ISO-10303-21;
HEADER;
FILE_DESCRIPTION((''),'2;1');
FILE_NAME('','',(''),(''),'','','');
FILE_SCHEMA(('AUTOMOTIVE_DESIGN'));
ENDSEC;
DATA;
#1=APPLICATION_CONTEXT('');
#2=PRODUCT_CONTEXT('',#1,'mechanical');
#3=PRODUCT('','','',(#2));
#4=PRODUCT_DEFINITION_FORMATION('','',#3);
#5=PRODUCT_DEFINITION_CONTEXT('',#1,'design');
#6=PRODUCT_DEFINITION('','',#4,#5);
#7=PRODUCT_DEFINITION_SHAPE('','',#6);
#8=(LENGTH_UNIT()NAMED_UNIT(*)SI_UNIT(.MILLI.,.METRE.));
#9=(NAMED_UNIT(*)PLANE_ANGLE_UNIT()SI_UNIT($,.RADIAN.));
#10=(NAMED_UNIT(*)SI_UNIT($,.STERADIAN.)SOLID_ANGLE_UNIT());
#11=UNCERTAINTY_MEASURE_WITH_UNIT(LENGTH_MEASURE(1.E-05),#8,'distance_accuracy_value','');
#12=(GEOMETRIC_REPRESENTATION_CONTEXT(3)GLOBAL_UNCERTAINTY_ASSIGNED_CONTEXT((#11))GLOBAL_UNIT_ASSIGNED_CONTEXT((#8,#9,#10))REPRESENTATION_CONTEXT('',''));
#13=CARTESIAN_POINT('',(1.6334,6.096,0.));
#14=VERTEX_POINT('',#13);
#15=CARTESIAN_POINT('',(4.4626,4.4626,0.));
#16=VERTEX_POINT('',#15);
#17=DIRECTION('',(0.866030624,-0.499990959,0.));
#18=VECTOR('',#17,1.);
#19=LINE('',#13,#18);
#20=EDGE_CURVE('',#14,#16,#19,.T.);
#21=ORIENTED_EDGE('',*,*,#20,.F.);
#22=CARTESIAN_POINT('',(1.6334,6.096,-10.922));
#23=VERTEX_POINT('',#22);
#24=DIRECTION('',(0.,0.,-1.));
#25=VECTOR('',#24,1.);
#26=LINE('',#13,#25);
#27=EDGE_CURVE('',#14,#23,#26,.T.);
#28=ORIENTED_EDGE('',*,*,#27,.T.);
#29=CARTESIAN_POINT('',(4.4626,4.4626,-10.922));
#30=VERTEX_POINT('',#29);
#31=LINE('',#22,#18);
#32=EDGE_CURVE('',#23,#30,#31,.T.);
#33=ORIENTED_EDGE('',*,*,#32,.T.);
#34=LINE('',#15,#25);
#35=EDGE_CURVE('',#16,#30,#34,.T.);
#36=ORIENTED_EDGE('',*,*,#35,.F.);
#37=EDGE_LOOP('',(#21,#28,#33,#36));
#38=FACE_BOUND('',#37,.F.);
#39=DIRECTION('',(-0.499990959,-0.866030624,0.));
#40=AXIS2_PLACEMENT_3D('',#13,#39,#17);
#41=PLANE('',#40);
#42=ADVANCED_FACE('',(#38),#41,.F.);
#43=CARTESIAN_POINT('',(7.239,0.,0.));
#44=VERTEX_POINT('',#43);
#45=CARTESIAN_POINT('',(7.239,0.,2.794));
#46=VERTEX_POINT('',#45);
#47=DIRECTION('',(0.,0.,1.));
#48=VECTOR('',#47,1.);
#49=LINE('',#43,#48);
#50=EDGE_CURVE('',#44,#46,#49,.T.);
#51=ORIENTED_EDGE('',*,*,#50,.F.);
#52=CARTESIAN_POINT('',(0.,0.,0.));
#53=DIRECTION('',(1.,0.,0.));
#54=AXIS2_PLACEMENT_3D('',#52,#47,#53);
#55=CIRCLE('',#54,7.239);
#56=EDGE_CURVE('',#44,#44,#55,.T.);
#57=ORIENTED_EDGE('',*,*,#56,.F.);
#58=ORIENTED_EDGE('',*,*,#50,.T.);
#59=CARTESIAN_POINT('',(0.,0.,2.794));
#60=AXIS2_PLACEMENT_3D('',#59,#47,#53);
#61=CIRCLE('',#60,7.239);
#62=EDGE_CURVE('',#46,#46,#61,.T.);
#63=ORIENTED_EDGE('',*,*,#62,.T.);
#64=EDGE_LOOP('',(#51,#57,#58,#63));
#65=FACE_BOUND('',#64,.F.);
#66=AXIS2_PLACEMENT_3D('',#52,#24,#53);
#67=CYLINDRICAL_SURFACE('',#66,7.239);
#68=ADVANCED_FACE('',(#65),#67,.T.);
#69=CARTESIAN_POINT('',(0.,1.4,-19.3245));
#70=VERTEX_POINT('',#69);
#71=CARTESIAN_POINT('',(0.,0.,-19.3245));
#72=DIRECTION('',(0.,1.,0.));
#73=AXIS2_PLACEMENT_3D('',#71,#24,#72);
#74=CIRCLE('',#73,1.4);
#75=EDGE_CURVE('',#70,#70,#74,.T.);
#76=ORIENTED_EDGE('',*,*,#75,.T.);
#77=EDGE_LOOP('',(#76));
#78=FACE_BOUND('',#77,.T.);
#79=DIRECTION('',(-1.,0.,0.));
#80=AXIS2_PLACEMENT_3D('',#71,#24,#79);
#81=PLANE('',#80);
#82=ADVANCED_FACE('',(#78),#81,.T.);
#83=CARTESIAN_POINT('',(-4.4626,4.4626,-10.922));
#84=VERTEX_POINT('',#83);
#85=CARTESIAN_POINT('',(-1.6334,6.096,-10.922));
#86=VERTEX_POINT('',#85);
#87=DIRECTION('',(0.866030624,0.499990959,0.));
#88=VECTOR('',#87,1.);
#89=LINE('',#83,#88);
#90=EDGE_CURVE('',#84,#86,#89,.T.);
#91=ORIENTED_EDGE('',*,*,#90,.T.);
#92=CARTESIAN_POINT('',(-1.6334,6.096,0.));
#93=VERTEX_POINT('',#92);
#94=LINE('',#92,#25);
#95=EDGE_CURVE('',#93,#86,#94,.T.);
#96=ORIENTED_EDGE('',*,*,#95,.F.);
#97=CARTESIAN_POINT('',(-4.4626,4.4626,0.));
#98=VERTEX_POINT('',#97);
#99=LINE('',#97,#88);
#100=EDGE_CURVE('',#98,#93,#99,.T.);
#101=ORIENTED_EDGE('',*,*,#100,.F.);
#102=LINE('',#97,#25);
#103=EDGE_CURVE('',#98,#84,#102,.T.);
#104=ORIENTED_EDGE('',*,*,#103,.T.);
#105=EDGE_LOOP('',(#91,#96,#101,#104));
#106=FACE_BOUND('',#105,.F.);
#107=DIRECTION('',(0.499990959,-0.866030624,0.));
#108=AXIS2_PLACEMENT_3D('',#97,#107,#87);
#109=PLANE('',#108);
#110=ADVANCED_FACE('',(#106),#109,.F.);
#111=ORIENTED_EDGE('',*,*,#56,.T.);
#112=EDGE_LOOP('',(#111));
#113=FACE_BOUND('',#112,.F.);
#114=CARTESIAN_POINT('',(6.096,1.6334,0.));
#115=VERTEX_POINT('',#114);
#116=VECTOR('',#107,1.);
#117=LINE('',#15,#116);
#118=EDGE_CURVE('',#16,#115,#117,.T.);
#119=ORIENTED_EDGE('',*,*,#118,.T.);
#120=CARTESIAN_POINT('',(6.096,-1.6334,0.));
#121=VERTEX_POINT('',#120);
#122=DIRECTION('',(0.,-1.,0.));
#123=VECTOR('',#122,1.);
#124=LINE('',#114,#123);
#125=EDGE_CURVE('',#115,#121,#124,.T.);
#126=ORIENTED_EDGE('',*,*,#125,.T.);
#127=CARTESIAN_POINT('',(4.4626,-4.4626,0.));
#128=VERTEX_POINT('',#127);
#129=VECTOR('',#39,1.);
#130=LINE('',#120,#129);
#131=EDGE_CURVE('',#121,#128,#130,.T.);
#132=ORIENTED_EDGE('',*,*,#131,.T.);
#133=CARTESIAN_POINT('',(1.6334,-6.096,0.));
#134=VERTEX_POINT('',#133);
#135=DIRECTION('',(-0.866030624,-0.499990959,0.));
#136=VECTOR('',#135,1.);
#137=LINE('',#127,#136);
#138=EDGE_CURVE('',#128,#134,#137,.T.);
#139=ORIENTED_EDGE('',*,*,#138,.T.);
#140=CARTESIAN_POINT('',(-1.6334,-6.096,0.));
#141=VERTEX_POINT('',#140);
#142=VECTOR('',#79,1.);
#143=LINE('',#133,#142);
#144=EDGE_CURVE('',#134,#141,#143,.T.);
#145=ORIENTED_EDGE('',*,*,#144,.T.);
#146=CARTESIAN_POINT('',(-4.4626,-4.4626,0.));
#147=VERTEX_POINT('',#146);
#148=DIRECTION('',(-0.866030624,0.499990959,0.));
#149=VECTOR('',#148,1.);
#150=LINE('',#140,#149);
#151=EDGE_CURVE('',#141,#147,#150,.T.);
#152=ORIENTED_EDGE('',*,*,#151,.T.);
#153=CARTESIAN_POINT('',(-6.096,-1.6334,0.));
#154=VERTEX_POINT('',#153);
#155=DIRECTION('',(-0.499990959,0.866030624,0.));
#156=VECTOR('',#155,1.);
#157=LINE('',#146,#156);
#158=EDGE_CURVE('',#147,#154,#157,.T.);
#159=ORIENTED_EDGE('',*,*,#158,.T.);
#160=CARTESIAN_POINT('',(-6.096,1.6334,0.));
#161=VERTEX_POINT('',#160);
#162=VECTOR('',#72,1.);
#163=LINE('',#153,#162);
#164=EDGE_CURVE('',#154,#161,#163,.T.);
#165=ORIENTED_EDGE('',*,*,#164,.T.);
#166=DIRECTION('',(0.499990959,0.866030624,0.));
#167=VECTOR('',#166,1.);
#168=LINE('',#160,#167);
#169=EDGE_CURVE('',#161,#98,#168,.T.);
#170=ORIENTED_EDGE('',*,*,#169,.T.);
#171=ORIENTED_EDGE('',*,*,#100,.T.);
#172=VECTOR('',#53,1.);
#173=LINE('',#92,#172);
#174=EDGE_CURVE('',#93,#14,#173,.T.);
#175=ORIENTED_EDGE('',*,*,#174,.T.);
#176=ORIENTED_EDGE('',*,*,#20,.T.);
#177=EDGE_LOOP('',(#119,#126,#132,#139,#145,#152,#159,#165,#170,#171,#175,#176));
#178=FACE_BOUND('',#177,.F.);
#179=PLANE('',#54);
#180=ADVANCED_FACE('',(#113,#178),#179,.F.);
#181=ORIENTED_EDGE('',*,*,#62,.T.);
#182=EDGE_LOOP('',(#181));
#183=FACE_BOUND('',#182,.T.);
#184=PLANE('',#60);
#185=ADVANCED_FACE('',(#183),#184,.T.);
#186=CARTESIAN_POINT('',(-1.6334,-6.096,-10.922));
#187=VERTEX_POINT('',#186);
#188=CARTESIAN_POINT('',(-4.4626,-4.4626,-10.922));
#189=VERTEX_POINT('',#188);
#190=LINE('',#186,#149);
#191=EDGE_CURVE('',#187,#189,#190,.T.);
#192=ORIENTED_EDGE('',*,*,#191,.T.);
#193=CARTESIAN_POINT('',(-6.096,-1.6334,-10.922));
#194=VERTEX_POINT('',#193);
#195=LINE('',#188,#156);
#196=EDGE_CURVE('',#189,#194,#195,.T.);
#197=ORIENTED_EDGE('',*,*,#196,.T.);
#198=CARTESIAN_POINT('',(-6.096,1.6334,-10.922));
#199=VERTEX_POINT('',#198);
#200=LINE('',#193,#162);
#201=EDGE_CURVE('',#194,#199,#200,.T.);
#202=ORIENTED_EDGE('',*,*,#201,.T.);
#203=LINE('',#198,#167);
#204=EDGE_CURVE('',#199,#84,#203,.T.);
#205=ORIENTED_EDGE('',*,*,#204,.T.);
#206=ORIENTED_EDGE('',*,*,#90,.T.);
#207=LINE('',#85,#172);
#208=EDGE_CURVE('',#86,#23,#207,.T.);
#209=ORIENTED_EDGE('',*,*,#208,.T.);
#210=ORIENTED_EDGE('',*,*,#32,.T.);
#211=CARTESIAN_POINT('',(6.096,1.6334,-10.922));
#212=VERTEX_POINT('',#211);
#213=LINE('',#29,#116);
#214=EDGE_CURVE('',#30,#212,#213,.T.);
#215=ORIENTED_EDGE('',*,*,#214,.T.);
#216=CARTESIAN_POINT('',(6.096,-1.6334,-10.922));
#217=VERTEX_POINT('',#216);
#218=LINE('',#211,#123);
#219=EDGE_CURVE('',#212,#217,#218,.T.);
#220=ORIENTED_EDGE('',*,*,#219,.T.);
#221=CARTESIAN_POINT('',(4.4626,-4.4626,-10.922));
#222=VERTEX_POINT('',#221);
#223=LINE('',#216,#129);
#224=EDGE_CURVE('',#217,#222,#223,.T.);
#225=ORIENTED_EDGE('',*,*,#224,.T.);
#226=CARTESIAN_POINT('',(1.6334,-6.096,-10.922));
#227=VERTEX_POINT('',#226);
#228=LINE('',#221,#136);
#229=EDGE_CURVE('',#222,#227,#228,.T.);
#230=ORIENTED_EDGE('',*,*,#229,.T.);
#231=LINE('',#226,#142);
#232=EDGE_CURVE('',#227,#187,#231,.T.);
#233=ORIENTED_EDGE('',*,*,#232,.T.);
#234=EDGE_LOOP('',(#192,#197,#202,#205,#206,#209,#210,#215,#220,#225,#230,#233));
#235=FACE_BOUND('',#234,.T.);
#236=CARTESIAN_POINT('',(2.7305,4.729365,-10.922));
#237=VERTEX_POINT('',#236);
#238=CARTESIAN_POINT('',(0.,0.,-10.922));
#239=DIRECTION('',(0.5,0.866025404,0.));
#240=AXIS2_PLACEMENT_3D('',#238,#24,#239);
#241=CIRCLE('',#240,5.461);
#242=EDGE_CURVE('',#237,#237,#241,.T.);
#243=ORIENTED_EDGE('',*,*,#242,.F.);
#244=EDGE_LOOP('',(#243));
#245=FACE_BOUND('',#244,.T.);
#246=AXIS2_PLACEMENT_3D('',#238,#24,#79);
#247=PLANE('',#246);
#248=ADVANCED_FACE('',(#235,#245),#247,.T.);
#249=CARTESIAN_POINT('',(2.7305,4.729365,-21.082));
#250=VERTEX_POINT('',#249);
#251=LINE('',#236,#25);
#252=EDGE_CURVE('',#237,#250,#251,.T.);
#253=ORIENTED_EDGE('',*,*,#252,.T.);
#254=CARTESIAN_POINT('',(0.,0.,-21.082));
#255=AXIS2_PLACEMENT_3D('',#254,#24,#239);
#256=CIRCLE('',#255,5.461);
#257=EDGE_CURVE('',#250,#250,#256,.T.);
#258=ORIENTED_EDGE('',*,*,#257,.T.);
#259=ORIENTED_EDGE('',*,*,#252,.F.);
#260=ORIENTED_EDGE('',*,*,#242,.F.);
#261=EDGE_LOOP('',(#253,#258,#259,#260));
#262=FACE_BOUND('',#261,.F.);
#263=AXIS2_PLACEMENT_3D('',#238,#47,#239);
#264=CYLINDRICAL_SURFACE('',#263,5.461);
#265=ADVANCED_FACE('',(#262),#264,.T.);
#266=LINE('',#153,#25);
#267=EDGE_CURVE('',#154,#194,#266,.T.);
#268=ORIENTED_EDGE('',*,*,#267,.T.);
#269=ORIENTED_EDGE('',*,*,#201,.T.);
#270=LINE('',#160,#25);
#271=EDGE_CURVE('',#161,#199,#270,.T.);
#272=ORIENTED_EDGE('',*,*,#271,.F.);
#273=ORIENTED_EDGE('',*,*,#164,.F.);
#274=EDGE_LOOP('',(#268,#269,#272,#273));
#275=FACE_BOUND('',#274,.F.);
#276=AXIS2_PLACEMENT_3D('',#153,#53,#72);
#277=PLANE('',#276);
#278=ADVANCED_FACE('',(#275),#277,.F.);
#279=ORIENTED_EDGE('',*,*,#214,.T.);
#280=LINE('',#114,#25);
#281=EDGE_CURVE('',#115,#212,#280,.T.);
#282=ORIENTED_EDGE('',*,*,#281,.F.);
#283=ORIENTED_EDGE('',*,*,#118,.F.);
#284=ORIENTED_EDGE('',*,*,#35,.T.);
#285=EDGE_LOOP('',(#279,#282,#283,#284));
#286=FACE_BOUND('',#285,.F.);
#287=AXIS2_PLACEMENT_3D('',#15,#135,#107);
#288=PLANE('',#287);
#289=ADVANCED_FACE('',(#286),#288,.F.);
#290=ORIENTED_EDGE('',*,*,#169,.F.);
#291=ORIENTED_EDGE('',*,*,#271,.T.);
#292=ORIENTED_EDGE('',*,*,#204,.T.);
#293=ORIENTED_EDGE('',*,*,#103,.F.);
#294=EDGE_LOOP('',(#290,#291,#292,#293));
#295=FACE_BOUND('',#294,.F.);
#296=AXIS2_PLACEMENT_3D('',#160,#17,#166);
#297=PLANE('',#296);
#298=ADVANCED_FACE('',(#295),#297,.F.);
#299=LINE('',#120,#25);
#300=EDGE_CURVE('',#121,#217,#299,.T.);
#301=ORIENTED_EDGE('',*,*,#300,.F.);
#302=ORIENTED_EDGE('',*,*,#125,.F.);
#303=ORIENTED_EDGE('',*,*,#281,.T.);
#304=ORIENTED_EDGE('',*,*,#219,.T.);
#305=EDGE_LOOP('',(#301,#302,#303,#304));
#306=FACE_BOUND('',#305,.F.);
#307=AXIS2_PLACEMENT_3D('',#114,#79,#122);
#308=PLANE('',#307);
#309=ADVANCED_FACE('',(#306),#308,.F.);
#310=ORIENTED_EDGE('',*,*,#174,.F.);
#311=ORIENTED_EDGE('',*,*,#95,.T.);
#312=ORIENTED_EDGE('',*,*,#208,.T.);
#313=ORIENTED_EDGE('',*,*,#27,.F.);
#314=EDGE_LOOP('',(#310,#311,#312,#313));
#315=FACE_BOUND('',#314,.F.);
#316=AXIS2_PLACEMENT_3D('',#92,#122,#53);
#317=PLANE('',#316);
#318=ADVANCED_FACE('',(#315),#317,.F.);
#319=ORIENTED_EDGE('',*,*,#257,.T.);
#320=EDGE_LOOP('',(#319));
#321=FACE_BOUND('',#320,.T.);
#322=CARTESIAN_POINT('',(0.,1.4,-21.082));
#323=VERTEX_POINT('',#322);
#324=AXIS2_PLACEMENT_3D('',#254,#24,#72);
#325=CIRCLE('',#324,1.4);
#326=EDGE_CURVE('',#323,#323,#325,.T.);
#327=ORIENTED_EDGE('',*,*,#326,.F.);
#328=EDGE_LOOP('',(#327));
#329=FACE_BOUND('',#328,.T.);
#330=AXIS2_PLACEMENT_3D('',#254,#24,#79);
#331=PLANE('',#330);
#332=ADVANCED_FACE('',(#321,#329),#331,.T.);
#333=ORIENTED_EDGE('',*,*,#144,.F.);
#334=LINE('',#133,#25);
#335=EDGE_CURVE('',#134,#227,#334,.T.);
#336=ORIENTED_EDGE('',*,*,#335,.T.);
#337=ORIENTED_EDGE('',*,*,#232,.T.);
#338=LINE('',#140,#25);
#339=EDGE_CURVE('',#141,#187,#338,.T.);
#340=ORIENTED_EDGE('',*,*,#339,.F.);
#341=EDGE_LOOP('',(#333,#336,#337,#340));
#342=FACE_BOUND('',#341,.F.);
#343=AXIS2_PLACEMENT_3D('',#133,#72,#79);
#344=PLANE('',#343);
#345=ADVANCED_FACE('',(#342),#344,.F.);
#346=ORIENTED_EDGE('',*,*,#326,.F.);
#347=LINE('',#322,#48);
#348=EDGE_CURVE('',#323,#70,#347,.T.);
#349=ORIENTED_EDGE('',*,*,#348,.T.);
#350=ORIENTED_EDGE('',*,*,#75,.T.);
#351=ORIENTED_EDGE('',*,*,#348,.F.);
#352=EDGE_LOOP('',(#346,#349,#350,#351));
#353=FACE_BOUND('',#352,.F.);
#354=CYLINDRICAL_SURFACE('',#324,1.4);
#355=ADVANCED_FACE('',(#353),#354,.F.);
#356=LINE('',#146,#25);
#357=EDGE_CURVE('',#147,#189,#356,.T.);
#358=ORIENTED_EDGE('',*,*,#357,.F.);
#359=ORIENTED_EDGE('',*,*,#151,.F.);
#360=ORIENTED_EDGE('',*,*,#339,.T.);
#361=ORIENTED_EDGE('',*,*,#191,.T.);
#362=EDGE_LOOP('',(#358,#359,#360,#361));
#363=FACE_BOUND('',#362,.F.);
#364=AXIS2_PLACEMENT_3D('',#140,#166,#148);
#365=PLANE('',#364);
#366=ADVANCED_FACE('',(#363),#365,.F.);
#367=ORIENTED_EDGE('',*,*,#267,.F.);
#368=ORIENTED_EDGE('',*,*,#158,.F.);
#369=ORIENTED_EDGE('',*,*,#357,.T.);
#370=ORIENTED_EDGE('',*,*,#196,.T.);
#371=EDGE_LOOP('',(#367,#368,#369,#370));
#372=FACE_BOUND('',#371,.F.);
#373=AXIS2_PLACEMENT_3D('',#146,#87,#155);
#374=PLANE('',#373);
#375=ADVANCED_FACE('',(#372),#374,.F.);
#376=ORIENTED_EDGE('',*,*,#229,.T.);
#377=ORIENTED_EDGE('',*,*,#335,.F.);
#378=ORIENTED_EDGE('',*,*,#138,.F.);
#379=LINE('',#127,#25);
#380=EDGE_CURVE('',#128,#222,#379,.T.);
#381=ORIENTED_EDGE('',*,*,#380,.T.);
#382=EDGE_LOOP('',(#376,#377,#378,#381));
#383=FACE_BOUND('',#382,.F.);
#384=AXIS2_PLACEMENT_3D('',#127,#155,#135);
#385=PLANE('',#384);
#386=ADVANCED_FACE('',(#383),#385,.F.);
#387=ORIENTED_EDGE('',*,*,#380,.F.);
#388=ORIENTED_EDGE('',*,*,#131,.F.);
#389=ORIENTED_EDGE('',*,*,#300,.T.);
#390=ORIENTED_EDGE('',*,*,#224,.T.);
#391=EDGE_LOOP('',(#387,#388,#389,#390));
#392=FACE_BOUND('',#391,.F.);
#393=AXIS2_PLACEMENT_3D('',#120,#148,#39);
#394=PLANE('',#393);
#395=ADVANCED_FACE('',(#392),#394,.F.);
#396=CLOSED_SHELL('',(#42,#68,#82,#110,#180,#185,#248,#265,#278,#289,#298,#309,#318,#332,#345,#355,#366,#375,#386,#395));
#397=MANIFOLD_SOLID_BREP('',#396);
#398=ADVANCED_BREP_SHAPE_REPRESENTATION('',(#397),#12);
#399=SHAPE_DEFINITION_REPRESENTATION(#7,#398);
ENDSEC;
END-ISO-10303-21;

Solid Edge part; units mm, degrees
sketch "Sketch1" plane through (0, 0, 0) normal (0, 0, 1) x (1, 0, 0)
  circle A0 centre (0, 0) radius 7.239
extrude "Protrusion1" add sketch "Sketch1" along normal blind 2.794
sketch "Sketch2" plane through (0, 0, 0) normal (0, 0, -1) x (1, 0, 0)
  line L0 (4.4626, 4.4626) -> (1.6334, 6.096)
  line L1 (1.6334, 6.096) -> (-1.6334, 6.096)
  line L2 (-1.6334, 6.096) -> (-4.4626, 4.4626)
  line L3 (-4.4626, 4.4626) -> (-6.096, 1.6334)
  line L4 (-6.096, 1.6334) -> (-6.096, -1.6334)
  line L5 (-6.096, -1.6334) -> (-4.4626, -4.4626)
  line L6 (-4.4626, -4.4626) -> (-1.6334, -6.096)
  line L7 (-1.6334, -6.096) -> (1.6334, -6.096)
  line L8 (1.6334, -6.096) -> (4.4626, -4.4626)
  line L9 (4.4626, -4.4626) -> (6.096, -1.6334)
  line L10 (6.096, -1.6334) -> (6.096, 1.6334)
  line L11 (6.096, 1.6334) -> (4.4626, 4.4626)
extrude "ExtrudedProtrusion_2" add sketch "Sketch2" along normal blind 10.922
sketch "Sketch3" plane through (0, 0, -10.922) normal (0, 0, -1) x (0.5, 0.866, 0)
  circle A0 centre (0, 0) radius 5.461
extrude "ExtrudedProtrusion_3" add sketch "Sketch3" along normal blind 10.16
sketch "Sketch4" plane through (0, 0, -21.082) normal (0, 0, -1) x (0, 1, 0)
  circle A0 centre (0, 0) radius 1.4
extrude "ExtrudedCutout_1" cut sketch "Sketch4" against normal blind 1.7575
